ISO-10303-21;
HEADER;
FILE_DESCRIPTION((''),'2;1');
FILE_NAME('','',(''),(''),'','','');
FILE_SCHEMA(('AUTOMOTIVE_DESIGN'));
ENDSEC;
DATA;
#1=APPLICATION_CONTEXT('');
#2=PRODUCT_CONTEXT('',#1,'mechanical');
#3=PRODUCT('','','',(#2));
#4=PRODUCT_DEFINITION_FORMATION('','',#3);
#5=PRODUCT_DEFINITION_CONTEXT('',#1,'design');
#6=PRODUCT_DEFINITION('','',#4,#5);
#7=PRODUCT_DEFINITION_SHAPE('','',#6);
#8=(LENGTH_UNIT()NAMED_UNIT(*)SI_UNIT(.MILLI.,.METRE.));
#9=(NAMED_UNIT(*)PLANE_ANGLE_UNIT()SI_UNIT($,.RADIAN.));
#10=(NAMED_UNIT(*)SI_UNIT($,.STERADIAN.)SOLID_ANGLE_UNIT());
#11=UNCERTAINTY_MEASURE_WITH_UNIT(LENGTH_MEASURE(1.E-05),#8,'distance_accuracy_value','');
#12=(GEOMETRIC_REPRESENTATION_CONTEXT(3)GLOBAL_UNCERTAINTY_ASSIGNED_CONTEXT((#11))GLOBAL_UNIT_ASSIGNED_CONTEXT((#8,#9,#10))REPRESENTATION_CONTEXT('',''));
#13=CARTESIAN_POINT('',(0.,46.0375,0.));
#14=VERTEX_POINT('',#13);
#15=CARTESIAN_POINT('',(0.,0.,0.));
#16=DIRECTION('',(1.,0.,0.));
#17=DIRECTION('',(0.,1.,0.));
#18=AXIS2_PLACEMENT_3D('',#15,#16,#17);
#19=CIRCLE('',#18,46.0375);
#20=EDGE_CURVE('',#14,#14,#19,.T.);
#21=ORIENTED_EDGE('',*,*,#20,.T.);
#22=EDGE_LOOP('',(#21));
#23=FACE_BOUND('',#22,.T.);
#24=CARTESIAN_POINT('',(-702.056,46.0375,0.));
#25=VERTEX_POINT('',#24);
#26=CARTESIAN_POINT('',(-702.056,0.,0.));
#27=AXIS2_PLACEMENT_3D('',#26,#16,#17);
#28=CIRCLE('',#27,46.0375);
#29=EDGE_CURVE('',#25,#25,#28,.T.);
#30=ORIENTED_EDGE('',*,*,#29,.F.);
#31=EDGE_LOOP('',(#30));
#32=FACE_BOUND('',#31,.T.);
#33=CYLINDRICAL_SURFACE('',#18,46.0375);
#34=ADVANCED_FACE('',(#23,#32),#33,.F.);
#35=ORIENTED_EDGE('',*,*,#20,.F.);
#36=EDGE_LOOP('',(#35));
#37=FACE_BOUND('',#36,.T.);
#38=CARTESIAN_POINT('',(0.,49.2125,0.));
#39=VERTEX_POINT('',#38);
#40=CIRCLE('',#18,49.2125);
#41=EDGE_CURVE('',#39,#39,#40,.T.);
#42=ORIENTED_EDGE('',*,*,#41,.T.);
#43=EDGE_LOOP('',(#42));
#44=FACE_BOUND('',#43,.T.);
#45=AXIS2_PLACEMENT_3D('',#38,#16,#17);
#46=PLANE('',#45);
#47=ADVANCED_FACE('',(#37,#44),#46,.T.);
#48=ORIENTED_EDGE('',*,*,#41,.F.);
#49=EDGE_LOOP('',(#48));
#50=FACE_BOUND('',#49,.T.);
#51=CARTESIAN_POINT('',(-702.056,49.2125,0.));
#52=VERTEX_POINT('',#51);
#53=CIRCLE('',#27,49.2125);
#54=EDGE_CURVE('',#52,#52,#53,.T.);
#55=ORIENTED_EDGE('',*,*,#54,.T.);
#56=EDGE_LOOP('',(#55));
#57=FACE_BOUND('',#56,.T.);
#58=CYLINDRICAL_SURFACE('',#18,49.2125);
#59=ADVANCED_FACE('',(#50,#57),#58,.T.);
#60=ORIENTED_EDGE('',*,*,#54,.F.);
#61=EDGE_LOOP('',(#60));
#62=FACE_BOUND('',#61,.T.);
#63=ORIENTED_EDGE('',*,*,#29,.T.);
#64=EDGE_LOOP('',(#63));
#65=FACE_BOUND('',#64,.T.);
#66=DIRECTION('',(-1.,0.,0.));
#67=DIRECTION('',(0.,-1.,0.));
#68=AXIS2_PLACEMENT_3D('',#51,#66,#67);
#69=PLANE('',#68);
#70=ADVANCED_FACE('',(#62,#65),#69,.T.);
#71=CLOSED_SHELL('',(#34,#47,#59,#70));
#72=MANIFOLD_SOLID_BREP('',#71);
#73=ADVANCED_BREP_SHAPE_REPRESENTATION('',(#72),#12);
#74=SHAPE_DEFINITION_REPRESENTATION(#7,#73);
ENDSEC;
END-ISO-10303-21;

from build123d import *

# Parameters (mm, degrees)
SKETCH1_W = 702.056
SKETCH1_H = 3.175


with BuildPart() as part:
    # Sketch1 → Revolve1 (revolve)
    with BuildSketch(Plane.XY):
        with Locations((-351.028, 47.625)):
            Rectangle(SKETCH1_W, SKETCH1_H)
    revolve(axis=Axis((0, 0, 0), (-1, 0, 0)))


solid = part.part
